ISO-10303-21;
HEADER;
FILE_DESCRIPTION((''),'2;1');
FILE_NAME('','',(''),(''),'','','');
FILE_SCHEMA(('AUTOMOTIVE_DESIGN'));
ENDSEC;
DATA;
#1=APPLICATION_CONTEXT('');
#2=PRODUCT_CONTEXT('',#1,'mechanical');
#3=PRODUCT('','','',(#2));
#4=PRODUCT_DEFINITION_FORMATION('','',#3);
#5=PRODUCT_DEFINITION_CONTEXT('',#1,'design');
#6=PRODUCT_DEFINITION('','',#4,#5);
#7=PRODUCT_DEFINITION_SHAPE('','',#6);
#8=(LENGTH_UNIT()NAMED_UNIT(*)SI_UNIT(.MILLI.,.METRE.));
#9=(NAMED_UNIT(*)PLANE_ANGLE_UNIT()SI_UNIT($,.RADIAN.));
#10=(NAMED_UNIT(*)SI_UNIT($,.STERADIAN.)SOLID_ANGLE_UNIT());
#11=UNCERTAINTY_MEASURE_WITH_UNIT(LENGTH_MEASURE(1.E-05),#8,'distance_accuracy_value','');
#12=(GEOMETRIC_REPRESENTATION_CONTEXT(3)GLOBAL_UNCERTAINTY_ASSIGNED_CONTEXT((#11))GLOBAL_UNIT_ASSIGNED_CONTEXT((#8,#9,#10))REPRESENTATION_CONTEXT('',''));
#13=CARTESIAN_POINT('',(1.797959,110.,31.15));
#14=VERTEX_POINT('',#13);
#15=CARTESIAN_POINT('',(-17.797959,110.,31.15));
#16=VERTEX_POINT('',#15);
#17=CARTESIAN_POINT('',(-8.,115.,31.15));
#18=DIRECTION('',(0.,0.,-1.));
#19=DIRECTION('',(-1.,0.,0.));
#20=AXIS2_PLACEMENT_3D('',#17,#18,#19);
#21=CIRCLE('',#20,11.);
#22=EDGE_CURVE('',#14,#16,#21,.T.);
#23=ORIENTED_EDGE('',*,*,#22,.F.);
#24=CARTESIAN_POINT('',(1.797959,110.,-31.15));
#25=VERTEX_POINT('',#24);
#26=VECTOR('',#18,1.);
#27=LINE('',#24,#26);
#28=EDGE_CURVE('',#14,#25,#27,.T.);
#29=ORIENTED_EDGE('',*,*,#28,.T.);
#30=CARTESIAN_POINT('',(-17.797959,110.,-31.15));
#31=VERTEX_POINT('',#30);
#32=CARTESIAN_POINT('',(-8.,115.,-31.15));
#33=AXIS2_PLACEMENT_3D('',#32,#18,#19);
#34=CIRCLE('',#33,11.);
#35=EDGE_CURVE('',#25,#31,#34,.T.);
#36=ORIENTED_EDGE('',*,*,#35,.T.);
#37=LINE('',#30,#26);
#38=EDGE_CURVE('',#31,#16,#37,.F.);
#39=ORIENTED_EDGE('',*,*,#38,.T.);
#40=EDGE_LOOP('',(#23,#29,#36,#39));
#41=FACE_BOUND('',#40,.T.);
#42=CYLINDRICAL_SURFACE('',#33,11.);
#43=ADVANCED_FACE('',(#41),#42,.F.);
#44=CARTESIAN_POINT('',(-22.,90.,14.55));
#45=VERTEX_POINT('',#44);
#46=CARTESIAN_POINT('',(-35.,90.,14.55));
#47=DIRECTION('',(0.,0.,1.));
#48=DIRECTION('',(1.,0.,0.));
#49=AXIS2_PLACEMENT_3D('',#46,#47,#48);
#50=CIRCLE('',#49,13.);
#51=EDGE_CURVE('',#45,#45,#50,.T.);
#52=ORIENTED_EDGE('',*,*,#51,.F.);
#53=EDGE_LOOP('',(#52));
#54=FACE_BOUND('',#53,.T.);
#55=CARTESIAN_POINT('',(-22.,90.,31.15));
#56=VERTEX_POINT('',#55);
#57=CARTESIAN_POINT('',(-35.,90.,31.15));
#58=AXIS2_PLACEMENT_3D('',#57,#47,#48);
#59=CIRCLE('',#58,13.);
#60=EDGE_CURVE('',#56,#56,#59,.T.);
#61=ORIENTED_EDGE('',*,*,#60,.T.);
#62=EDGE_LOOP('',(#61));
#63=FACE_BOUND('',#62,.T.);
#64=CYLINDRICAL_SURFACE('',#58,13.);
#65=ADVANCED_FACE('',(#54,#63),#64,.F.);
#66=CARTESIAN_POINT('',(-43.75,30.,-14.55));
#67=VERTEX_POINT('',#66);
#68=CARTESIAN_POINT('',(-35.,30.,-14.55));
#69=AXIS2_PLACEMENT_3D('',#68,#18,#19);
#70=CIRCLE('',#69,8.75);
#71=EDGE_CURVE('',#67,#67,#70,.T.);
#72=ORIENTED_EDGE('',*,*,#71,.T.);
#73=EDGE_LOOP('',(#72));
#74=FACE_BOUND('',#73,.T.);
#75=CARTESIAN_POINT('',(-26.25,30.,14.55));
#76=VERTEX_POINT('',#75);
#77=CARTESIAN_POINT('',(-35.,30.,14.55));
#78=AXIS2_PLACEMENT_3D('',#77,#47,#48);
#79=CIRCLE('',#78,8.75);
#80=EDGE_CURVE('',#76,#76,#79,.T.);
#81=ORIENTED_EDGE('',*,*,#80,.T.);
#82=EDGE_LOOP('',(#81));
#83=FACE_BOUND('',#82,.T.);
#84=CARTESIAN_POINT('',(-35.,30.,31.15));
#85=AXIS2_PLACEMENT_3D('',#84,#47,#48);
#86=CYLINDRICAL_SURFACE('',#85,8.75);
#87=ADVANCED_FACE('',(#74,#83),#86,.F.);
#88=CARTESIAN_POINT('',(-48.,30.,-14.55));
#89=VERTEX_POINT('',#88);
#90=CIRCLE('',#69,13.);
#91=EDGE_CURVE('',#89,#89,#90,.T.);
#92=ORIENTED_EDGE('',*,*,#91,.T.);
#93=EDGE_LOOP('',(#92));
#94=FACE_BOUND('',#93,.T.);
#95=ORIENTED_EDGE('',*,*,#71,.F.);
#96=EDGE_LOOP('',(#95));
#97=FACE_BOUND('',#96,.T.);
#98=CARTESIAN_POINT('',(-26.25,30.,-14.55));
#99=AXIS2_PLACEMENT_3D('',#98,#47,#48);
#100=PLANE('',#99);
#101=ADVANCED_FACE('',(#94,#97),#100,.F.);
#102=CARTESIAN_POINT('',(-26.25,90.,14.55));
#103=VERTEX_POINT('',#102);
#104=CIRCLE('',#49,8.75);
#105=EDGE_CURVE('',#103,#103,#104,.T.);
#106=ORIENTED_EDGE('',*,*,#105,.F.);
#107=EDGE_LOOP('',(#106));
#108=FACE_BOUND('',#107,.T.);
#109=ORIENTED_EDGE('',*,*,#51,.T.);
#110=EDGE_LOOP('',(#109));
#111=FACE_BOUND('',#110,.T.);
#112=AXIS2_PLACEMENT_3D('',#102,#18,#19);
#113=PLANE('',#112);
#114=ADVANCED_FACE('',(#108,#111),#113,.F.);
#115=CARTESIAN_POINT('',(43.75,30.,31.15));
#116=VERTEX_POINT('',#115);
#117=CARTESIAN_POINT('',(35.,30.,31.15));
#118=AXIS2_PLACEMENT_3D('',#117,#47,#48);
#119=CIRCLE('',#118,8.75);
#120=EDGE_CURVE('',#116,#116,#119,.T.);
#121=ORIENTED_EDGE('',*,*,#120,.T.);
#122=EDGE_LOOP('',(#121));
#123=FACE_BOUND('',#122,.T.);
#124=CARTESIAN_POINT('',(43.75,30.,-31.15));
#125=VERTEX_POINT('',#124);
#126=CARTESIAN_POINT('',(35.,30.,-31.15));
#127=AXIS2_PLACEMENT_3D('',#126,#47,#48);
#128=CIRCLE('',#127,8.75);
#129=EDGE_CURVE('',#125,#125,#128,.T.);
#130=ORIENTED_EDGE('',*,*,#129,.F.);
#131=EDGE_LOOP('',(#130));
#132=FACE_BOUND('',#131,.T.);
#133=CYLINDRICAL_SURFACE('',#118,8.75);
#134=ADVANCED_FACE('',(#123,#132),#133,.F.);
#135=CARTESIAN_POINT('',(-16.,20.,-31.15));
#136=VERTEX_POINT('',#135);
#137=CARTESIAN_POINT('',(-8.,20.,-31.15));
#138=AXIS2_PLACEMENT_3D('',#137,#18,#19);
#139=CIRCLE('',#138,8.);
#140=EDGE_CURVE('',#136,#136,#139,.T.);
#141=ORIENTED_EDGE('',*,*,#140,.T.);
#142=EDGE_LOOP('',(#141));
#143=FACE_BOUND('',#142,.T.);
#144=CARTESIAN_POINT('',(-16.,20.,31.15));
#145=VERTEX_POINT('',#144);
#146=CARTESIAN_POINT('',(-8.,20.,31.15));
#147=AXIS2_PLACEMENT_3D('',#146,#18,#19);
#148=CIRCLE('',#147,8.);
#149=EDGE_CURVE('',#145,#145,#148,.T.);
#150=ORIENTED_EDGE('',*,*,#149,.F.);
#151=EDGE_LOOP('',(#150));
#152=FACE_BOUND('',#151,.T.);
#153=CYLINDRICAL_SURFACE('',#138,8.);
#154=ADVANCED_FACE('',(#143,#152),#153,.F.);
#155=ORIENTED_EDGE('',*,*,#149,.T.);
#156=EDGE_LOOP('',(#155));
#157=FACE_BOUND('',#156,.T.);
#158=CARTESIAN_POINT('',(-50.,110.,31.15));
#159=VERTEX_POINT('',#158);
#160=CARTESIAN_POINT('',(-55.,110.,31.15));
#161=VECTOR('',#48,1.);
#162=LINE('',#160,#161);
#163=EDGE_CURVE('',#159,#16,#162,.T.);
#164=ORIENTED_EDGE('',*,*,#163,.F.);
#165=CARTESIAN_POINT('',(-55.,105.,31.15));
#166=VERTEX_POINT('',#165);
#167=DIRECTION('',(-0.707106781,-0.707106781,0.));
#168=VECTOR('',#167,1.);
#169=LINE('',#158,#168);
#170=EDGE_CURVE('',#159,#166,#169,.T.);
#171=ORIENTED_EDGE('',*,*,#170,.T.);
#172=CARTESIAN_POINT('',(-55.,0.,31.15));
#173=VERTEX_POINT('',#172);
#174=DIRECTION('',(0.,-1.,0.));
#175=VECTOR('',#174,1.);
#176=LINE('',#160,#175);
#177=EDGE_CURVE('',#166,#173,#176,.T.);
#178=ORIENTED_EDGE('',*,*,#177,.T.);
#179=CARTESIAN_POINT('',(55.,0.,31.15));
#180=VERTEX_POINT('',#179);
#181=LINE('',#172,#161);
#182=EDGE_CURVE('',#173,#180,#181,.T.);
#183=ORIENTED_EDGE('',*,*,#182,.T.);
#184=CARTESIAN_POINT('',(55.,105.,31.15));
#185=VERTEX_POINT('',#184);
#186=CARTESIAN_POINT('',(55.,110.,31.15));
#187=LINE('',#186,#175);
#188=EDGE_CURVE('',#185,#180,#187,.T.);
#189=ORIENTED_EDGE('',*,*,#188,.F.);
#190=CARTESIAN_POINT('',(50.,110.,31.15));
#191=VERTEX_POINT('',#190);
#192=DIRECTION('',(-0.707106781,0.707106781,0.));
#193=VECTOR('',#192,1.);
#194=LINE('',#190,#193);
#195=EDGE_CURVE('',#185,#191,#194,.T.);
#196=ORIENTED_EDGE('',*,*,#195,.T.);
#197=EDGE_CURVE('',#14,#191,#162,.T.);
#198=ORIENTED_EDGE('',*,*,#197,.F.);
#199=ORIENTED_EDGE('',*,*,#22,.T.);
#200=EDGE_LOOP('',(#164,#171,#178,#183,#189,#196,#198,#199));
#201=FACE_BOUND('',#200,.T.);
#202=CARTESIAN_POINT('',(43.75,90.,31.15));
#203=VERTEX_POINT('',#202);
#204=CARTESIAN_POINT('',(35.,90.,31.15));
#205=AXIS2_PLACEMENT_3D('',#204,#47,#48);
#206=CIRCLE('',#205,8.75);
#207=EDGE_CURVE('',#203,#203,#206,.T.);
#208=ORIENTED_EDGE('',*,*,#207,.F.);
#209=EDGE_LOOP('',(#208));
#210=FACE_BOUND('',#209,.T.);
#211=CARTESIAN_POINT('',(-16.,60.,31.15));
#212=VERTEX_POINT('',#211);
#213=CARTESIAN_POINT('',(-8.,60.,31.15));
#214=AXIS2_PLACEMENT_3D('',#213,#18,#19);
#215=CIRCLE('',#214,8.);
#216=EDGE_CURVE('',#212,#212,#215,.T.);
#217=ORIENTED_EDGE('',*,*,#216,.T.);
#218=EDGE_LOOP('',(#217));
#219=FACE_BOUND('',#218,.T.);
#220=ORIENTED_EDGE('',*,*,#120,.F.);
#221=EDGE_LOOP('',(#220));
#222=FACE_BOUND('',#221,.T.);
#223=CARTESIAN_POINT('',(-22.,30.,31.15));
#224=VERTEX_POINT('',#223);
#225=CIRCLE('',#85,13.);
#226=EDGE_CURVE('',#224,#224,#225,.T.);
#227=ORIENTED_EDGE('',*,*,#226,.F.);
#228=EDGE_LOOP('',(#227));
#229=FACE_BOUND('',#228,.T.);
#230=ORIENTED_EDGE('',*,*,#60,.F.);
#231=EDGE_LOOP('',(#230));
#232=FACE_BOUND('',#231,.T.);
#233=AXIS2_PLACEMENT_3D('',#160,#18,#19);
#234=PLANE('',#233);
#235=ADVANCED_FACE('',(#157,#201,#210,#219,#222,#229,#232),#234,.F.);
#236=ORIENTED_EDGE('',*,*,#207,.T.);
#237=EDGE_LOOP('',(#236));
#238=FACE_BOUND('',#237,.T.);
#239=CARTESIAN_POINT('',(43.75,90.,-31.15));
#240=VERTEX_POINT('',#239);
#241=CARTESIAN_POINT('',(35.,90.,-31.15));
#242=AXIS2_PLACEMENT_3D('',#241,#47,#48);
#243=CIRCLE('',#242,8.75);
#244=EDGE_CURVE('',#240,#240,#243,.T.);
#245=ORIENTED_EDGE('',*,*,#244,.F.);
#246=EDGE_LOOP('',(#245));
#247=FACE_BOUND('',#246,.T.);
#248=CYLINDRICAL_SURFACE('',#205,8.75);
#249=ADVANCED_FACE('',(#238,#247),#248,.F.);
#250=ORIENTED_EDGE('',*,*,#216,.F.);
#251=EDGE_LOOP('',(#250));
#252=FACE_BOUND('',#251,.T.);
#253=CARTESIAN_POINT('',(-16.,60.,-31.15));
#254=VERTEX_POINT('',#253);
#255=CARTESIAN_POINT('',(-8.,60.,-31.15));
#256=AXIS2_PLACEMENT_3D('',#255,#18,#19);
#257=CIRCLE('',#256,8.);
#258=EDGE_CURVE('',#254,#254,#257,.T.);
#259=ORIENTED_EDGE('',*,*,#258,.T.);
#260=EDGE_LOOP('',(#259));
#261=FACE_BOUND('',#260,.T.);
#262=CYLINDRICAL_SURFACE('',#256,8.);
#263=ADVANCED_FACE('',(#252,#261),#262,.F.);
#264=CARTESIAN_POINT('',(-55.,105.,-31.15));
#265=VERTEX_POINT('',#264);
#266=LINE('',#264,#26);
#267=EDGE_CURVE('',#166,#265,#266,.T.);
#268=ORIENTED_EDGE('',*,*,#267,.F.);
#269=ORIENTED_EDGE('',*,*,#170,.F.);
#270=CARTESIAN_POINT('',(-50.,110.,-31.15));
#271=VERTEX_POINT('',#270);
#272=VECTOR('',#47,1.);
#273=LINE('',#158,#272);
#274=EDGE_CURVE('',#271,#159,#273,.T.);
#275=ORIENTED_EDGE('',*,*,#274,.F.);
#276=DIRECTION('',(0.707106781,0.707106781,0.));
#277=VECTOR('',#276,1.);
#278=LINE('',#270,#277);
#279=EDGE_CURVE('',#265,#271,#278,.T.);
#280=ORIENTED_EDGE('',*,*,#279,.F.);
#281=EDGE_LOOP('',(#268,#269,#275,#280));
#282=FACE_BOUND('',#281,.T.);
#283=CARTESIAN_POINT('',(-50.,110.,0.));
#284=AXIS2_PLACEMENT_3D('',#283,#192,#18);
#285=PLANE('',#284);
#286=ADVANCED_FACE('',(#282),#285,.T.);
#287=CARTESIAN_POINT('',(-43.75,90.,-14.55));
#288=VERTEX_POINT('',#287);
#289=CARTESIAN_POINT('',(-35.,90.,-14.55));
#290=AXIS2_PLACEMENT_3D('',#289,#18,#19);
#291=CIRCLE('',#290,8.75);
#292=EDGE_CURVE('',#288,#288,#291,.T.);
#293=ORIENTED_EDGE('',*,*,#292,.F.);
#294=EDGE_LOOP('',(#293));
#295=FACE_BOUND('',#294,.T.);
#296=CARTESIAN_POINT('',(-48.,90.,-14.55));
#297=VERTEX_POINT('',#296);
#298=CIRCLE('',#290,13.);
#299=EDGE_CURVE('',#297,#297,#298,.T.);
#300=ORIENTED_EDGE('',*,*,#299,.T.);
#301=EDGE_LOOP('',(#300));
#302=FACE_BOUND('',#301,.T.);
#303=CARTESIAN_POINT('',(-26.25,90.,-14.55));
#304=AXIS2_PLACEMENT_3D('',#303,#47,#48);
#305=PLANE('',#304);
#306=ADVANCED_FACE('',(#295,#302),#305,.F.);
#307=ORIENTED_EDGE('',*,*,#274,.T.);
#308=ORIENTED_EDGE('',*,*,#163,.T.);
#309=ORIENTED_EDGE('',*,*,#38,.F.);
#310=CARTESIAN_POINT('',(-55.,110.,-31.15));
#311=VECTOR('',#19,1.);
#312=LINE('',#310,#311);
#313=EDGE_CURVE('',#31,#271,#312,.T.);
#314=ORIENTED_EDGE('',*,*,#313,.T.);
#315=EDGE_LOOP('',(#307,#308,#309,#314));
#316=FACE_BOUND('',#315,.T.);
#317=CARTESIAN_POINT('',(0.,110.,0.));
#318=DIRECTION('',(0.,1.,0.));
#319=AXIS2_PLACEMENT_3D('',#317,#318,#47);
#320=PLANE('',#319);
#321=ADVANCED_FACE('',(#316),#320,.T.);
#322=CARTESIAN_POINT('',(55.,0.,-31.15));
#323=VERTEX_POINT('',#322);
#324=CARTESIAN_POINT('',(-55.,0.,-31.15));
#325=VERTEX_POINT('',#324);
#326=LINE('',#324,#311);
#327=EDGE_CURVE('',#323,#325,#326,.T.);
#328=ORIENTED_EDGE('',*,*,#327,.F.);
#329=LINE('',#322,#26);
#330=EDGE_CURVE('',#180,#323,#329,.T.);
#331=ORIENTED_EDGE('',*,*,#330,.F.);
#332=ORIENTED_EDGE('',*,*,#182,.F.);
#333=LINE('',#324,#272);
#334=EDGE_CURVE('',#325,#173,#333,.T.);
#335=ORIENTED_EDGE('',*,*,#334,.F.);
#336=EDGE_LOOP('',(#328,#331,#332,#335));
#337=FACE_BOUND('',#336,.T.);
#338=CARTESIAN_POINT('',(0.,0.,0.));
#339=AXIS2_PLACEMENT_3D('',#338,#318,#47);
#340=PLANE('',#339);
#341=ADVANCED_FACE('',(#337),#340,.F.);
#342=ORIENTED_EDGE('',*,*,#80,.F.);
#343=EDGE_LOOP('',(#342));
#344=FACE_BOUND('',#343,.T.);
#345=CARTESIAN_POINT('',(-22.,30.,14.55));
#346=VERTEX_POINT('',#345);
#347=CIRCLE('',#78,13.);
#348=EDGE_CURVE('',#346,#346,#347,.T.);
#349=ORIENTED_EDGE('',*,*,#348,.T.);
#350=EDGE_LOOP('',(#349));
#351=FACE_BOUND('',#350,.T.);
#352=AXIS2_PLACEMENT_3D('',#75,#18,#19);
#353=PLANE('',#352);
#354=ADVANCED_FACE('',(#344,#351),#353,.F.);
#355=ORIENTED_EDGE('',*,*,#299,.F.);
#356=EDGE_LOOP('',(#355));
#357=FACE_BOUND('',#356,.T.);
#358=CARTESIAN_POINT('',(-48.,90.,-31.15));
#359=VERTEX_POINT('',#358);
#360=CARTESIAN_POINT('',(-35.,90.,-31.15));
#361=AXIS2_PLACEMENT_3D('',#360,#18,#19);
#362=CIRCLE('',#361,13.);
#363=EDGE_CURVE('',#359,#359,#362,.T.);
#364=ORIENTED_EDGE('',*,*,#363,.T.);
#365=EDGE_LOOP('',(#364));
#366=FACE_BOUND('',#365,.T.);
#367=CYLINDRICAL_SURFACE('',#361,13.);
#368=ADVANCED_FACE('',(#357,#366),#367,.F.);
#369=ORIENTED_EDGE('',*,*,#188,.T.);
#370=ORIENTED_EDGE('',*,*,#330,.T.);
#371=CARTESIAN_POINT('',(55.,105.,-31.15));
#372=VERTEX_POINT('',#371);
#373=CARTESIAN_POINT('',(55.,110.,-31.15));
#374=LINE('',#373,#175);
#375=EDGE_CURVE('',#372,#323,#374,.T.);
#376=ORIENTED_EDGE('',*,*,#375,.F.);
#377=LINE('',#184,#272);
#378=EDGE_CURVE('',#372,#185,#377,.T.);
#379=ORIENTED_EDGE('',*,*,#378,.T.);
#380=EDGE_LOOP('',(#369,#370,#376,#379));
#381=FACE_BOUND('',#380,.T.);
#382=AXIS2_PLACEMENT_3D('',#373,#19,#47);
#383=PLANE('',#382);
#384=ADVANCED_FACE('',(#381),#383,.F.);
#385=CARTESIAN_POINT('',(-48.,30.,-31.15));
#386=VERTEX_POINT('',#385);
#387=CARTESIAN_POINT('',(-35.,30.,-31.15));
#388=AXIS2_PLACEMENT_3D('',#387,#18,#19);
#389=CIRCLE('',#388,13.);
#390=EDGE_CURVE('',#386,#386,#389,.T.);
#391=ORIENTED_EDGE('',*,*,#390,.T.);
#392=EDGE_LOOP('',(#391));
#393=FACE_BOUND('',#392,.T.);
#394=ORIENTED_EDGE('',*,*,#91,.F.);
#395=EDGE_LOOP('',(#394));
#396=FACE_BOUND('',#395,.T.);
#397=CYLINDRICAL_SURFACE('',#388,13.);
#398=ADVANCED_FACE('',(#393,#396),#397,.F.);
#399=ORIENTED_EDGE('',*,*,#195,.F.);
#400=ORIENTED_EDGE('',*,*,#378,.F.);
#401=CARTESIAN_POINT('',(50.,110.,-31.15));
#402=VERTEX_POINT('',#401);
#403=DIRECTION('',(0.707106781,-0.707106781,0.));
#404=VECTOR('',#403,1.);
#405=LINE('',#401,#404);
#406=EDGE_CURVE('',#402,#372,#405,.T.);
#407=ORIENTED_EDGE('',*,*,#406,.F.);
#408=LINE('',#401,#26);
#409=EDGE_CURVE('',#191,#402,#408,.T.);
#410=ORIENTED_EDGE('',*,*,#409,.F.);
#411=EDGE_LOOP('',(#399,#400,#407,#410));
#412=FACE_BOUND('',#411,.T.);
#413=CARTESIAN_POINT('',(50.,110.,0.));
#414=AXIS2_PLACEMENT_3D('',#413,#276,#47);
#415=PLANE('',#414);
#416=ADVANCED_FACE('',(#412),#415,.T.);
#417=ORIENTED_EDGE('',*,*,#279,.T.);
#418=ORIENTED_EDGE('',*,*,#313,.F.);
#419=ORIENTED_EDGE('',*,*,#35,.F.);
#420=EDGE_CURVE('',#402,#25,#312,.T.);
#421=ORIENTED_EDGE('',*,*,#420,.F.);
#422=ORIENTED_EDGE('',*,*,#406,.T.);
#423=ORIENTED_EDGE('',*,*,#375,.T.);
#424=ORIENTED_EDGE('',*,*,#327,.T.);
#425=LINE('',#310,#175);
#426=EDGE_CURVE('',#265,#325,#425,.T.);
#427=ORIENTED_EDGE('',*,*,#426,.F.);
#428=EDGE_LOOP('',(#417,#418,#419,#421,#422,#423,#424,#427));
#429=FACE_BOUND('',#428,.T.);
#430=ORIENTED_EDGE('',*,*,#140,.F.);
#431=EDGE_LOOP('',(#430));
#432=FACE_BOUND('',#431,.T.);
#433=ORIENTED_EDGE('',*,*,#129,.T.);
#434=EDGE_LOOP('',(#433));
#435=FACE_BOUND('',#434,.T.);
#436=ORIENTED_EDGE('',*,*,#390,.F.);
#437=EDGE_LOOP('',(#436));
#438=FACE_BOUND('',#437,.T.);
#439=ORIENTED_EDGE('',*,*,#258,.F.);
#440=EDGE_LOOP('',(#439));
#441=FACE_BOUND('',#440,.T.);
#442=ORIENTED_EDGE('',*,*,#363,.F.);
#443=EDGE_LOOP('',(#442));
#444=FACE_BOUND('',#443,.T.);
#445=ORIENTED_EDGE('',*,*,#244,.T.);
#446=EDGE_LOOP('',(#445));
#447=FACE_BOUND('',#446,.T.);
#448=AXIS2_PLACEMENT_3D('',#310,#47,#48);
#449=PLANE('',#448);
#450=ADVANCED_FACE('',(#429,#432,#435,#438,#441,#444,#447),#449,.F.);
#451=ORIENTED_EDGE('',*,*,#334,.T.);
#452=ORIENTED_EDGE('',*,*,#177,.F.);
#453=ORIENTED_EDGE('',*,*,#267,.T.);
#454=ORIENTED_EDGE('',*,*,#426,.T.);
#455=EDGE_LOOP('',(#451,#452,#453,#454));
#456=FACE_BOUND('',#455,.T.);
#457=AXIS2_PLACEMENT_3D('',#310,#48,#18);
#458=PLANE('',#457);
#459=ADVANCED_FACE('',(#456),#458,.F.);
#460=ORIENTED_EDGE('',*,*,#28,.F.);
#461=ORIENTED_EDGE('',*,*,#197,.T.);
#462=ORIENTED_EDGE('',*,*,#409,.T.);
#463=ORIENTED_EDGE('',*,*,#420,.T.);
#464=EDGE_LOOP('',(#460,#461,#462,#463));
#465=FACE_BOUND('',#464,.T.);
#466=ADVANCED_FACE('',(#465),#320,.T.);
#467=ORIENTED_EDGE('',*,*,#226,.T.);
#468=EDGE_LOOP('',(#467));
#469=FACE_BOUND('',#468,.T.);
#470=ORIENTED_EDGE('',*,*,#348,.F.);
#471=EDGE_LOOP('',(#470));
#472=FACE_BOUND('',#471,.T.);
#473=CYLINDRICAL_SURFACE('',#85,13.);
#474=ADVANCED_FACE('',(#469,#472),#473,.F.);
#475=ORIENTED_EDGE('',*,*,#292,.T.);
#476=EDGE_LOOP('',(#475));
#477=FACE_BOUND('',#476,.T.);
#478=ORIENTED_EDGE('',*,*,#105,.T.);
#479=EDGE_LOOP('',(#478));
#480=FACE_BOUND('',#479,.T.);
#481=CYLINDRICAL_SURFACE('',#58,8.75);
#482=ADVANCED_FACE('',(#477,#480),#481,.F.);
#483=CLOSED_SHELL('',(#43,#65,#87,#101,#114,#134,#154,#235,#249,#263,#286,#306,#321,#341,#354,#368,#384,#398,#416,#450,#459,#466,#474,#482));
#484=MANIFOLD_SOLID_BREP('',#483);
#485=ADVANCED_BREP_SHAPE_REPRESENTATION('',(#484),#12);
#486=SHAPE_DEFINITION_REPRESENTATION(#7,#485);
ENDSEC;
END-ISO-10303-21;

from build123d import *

# Parameters (mm, degrees)
SKIZZE1_W                                            = 110
SKIZZE1_H                                            = 62.3
AUFSATZ_LINEAR_AUSTRAGEN1_DEPTH                      = 110
DURCHGANGSLOCH_F_R_M161_D                            = 17.5
STIRNSENKUNG_F_R_M16_ZYLINDERSCHRAUBE_MI_D           = 17.5
STIRNSENKUNG_F_R_M16_ZYLINDERSCHRAUBE_MI_CBORE_D     = 26
STIRNSENKUNG_F_R_M16_ZYLINDERSCHRAUBE_MI_CBORE_DEPTH = 16.6
F_16_0_H7_16_DURCHMESSER_BOHRUNG2_D                  = 16
F_22_0_22_DURCHMESSER_BOHRUNG1_D                     = 22
FASE1_SIZE                                           = 5
STIRNSENKUNG_F_R_M16_ZYLINDERSCHRAUB_2_D             = 17.5
STIRNSENKUNG_F_R_M16_ZYLINDERSCHRAUB_2_CBORE_D       = 26
STIRNSENKUNG_F_R_M16_ZYLINDERSCHRAUB_2_CBORE_DEPTH   = 16.6


with BuildPart() as part:
    # Skizze1 → Aufsatz-Linear austragen1 (new body)
    with BuildSketch(Plane(origin=(0, 0, 0), x_dir=(1, 0, 0), z_dir=(0, 1, 0))):
        Rectangle(SKIZZE1_W, SKIZZE1_H)
    extrude(amount=AUFSATZ_LINEAR_AUSTRAGEN1_DEPTH)

    # Durchgangsloch für M161 (through all)
    with Locations(Plane.XY.offset(31.15)):
        with Locations((35, 90), (35, 30)):
            Hole(DURCHGANGSLOCH_F_R_M161_D / 2)

    # Stirnsenkung f_r M16 Zylinderschraube mi (through all)
    with Locations(Plane.XY.offset(31.15)):
        with Locations((-35, 90), (-35, 30)):
            CounterBoreHole(STIRNSENKUNG_F_R_M16_ZYLINDERSCHRAUBE_MI_D / 2, STIRNSENKUNG_F_R_M16_ZYLINDERSCHRAUBE_MI_CBORE_D / 2, STIRNSENKUNG_F_R_M16_ZYLINDERSCHRAUBE_MI_CBORE_DEPTH)

    # Ø16.0 H7 (16) Durchmesser Bohrung2 (through all)
    with Locations(Plane(origin=(0, 0, -31.15), x_dir=(-1, 0, 0), z_dir=(0, 0, -1))):
        with Locations((8, 60), (8, 20)):
            Hole(F_16_0_H7_16_DURCHMESSER_BOHRUNG2_D / 2)

    # Ø22.0 (22) Durchmesser Bohrung1 (through all)
    with Locations(Plane(origin=(0, 0, -31.15), x_dir=(-1, 0, 0), z_dir=(0, 0, -1))):
        with Locations((8, 115)):
            Hole(F_22_0_22_DURCHMESSER_BOHRUNG1_D / 2)

    # Fase1
    fase1_edges = [part.edges().sort_by_distance(p)[0] for p in [
        (-55, 110, 0),
        (55, 110, 0),
    ]]
    chamfer(fase1_edges, length=FASE1_SIZE)

    # Stirnsenkung f_r M16 Zylinderschraub 2 (through all)
    with Locations(Plane(origin=(0, 0, -31.15), x_dir=(-1, 0, 0), z_dir=(0, 0, -1))):
        with Locations((35, 90), (35, 30)):
            CounterBoreHole(STIRNSENKUNG_F_R_M16_ZYLINDERSCHRAUB_2_D / 2, STIRNSENKUNG_F_R_M16_ZYLINDERSCHRAUB_2_CBORE_D / 2, STIRNSENKUNG_F_R_M16_ZYLINDERSCHRAUB_2_CBORE_DEPTH)


solid = part.part
